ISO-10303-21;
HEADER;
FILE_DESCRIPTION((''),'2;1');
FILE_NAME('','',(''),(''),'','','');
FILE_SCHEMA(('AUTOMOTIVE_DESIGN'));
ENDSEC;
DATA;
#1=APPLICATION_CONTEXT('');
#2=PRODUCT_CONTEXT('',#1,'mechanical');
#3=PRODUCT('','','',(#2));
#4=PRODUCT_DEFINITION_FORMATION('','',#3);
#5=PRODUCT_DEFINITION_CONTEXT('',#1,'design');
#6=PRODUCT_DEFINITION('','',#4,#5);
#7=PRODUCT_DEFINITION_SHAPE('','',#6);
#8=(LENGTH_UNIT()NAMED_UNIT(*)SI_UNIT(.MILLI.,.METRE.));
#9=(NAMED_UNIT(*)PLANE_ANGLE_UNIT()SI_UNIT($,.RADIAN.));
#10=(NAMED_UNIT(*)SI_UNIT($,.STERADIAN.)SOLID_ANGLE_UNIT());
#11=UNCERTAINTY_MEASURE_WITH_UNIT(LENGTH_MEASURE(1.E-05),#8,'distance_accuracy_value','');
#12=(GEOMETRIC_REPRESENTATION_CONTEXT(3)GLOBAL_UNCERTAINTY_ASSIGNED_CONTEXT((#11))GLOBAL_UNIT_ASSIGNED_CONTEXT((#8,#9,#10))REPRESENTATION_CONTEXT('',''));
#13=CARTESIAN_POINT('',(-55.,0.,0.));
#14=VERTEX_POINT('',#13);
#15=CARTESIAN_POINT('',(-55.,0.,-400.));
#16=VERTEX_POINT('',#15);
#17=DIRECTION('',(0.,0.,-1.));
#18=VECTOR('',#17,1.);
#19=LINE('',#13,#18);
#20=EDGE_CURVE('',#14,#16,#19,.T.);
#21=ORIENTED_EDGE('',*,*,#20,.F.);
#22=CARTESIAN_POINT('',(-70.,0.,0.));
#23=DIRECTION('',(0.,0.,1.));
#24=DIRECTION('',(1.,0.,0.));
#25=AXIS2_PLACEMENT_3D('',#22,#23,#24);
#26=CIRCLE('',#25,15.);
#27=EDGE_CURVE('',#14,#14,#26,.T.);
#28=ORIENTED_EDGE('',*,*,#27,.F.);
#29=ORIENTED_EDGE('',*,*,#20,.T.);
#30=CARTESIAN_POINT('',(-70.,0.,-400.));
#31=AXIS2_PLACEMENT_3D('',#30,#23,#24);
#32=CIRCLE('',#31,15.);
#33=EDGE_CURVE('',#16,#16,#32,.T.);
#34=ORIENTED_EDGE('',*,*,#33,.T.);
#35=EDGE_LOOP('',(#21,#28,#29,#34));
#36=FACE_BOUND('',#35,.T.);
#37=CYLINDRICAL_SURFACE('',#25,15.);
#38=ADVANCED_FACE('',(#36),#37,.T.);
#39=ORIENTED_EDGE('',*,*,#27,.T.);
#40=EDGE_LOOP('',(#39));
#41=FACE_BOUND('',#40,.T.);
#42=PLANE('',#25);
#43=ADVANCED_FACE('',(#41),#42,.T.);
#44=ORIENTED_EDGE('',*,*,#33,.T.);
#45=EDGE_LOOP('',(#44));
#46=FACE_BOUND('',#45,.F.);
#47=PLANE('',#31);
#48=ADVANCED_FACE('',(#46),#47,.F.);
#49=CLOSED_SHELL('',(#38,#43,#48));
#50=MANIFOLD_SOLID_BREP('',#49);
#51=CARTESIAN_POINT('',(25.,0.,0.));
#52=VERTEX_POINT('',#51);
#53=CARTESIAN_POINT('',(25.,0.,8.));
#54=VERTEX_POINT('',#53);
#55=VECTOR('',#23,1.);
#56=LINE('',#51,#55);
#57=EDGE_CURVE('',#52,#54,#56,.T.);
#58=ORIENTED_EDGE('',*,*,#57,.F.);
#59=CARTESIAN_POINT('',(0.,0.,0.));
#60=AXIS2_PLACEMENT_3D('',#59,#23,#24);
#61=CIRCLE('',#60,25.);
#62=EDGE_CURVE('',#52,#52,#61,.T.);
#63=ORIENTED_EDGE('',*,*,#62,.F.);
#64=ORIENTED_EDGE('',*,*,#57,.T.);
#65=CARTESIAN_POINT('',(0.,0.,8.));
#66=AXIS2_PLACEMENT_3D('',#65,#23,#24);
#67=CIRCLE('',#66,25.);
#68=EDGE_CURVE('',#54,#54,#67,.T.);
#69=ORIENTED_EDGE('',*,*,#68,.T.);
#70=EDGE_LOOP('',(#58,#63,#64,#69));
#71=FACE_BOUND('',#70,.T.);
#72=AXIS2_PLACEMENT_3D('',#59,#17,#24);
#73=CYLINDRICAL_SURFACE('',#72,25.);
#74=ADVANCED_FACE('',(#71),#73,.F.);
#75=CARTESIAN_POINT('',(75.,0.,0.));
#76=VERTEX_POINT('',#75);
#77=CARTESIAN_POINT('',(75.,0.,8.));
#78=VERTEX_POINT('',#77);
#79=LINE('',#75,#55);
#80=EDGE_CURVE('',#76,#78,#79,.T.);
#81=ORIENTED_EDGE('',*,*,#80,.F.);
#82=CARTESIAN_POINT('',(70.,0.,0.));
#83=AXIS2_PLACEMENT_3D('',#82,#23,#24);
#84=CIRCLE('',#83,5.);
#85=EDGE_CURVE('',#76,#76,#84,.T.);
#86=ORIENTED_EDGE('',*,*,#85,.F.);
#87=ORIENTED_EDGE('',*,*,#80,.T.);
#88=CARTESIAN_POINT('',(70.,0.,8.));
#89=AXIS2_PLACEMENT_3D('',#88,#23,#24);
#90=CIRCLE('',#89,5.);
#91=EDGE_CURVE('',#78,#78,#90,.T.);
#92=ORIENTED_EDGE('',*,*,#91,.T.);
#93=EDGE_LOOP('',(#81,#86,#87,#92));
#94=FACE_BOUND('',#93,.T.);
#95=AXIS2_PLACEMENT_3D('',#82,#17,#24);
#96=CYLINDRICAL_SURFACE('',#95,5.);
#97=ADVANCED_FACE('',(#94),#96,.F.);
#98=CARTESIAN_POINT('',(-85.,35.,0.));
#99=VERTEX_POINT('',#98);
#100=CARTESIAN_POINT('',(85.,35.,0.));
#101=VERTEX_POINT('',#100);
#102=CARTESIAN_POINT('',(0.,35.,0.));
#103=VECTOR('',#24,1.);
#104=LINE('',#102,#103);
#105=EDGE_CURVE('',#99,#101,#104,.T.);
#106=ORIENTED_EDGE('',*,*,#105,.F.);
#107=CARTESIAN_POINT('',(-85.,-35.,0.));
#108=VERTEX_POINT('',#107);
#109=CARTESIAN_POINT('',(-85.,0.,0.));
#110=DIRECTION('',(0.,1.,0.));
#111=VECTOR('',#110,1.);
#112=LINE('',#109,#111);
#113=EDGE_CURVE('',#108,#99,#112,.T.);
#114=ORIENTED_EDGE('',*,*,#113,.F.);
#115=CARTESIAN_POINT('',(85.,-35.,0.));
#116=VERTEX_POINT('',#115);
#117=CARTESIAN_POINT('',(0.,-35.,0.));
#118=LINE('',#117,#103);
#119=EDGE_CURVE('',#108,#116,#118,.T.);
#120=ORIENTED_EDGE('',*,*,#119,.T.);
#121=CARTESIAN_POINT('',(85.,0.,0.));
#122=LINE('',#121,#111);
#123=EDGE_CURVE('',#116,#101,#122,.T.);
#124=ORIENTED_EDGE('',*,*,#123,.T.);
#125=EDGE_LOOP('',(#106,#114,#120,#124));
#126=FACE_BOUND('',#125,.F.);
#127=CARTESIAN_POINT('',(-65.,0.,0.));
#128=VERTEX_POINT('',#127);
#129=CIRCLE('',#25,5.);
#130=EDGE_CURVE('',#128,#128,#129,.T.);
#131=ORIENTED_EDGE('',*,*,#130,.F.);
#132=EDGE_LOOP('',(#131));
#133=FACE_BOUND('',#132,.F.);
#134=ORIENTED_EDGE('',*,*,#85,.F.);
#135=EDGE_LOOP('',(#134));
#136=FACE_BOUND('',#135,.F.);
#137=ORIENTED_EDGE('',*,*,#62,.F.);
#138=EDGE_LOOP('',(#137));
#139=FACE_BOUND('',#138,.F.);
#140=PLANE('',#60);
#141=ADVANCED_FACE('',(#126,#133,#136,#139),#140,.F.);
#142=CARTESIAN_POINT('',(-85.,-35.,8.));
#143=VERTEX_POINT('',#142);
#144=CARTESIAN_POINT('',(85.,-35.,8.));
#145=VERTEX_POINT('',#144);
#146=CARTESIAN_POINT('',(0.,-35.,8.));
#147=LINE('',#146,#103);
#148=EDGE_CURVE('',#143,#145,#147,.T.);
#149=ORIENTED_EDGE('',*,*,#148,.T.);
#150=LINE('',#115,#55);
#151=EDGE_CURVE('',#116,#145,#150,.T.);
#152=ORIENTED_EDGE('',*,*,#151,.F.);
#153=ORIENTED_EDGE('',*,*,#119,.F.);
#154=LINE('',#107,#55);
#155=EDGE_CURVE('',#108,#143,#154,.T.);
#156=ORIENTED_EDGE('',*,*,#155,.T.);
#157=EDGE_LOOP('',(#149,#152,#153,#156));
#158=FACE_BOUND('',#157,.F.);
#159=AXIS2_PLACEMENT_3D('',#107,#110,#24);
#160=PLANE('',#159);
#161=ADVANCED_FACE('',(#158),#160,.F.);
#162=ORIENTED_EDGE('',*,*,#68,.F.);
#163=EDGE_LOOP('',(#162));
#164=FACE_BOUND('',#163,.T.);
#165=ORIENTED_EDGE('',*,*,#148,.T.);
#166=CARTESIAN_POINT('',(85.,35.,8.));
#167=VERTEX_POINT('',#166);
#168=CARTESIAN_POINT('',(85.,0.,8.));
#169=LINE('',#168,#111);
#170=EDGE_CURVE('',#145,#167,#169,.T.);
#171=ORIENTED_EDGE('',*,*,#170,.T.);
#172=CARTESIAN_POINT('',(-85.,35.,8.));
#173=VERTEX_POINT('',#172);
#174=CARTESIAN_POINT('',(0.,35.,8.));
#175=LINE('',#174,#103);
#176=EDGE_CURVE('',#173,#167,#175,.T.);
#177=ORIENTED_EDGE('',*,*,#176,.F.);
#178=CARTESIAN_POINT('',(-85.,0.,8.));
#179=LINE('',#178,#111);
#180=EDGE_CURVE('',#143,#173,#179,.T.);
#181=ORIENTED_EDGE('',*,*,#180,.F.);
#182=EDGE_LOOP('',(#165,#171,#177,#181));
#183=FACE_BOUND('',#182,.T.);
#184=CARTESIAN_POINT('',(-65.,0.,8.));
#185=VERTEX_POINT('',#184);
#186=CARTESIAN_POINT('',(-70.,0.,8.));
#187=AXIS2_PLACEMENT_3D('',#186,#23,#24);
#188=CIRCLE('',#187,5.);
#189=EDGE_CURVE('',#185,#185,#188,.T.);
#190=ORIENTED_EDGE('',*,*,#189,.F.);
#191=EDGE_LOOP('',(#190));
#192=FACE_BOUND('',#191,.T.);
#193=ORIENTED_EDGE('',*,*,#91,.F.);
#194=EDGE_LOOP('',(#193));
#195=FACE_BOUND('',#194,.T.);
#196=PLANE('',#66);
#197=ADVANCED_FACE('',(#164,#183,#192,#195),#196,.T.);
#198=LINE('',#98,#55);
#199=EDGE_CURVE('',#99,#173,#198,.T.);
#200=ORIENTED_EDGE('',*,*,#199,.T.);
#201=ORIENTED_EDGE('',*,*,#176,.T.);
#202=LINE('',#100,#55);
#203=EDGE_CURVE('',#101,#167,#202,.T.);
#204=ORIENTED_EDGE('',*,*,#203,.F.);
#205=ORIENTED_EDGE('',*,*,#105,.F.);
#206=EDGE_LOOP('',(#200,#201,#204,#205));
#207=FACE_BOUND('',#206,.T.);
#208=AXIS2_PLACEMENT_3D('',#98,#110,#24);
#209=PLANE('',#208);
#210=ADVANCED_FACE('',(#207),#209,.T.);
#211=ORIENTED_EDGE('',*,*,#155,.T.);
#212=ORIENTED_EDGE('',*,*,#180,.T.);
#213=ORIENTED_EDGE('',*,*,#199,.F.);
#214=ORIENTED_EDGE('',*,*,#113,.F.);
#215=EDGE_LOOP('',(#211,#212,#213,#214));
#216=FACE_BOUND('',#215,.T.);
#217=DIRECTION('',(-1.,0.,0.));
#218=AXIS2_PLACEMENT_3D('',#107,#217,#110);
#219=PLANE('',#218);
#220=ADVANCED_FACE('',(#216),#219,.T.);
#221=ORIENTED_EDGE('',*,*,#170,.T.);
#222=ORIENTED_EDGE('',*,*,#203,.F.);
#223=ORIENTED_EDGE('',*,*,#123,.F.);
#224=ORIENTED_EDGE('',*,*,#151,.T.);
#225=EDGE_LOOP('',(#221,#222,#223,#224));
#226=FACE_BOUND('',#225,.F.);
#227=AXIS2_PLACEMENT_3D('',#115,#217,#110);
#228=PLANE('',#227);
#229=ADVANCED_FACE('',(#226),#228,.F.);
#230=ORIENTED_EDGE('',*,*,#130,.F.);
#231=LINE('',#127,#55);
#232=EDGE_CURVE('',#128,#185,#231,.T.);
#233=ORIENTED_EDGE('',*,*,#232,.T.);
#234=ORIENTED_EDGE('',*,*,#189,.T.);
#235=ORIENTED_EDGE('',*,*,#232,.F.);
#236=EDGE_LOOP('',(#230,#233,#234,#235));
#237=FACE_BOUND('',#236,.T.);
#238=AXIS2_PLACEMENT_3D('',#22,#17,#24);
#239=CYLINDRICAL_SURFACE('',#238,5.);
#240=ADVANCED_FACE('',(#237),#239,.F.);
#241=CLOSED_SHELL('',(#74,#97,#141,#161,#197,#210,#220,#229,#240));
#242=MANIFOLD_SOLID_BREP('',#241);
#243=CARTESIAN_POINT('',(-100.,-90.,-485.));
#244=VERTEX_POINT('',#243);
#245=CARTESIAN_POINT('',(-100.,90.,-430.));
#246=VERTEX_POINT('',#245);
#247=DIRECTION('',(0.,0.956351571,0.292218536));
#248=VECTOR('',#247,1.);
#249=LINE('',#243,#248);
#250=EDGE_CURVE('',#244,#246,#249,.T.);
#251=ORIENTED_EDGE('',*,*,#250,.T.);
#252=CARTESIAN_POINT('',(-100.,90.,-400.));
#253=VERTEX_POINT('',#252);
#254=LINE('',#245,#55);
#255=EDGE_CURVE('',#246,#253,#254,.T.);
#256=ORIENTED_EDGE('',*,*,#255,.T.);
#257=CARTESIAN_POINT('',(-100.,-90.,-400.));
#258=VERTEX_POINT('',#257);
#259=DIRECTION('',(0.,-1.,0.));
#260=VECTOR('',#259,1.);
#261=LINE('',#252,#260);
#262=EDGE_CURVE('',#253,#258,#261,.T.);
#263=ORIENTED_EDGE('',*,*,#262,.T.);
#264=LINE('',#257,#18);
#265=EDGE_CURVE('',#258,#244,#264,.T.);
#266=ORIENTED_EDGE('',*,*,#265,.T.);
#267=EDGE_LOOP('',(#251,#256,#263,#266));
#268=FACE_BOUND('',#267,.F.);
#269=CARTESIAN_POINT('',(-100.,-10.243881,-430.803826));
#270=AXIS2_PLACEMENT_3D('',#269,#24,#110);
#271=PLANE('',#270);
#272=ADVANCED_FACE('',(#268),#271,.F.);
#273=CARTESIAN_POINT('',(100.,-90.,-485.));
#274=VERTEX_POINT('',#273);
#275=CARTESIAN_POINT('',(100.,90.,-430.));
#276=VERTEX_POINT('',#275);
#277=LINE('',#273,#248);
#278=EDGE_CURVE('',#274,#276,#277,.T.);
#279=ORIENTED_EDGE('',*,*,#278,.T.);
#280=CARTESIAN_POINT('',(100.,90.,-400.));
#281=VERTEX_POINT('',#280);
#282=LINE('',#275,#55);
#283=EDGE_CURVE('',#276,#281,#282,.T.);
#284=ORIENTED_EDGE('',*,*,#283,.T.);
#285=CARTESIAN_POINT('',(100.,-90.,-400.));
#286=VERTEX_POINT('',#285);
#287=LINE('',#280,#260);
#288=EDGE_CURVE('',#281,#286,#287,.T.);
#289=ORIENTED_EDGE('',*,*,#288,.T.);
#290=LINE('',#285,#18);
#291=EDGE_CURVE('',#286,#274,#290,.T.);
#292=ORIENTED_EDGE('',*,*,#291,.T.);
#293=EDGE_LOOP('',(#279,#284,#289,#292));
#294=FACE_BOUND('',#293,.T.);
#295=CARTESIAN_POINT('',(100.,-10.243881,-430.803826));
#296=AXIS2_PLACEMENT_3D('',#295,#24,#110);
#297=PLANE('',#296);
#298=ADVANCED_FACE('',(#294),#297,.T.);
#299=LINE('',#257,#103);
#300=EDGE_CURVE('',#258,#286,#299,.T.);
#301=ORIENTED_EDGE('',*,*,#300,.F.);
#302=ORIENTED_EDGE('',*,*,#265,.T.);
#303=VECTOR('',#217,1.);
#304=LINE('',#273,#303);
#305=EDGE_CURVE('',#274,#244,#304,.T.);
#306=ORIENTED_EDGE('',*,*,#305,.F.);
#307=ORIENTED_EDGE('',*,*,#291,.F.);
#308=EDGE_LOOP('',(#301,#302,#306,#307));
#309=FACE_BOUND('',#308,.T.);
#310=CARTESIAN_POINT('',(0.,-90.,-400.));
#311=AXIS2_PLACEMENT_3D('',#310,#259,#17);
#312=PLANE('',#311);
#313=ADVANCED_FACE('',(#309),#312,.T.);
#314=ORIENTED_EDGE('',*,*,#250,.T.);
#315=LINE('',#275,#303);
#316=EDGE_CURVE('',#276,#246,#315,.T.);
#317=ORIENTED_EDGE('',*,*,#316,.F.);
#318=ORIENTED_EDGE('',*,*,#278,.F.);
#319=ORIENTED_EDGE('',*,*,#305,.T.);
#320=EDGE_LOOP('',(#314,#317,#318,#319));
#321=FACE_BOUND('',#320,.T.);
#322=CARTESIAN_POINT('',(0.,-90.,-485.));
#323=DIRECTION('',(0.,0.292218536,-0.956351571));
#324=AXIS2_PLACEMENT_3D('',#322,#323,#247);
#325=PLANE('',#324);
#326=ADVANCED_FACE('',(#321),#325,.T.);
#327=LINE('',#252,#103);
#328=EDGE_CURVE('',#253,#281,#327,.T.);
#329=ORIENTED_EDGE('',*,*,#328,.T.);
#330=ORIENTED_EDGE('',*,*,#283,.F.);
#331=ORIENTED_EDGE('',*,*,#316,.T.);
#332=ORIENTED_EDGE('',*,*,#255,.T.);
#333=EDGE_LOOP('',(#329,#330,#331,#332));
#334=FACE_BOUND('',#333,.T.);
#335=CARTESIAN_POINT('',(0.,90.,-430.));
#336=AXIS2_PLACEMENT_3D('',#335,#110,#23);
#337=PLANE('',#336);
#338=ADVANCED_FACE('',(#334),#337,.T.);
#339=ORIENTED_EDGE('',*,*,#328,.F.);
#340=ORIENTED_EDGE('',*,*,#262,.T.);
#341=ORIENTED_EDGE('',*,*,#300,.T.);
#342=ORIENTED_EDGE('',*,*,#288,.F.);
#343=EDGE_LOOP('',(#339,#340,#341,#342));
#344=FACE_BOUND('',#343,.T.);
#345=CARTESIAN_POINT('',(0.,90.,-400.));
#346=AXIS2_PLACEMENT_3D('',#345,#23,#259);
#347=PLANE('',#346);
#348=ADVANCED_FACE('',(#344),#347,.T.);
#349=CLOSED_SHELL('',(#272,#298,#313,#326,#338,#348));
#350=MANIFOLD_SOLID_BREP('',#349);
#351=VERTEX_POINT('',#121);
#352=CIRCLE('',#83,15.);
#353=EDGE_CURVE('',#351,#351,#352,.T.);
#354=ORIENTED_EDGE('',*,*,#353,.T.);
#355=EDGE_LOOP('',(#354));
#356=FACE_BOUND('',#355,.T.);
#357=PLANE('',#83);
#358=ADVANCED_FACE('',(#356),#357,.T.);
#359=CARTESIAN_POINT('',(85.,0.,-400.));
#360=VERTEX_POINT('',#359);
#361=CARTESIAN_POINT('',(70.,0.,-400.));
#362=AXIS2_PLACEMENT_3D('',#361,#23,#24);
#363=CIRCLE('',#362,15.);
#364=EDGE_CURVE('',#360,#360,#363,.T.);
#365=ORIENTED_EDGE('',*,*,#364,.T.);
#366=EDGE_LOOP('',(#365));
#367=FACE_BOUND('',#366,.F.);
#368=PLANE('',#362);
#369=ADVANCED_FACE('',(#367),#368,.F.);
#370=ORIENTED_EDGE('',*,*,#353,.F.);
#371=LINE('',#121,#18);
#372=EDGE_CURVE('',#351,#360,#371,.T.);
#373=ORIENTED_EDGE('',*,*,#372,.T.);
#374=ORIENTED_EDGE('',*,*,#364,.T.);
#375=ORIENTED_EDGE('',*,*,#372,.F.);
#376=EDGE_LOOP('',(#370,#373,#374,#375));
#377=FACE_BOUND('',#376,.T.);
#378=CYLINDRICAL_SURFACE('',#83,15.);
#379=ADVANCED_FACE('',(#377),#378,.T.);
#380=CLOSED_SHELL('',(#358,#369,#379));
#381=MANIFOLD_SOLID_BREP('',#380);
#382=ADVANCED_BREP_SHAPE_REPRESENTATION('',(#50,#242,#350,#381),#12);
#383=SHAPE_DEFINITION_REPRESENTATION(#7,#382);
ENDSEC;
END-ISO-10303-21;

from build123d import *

# Parameters (mm, degrees)
F0_W     = 170
F0_H     = 70
F0_R     = 5
F0_R_2   = 25
F1_DEPTH = 8
F2_R     = 15
F3_DEPTH = 400
F5_DEPTH = 100


with BuildPart() as f1:
    # F0 (on Top) → F1 (new body)
    with BuildSketch(Plane.XY):
        Rectangle(F0_W, F0_H)
        with Locations((-70, 0)):
            Circle(F0_R, mode=Mode.SUBTRACT)
        Circle(F0_R_2, mode=Mode.SUBTRACT)
        with Locations((70, 0)):
            Circle(F0_R, mode=Mode.SUBTRACT)
    extrude(amount=F1_DEPTH)


with BuildPart() as f3:
    # F2 (on Top) → F3 (new body)
    with BuildSketch(Plane.XY):
        with Locations((-70, 0)):
            Circle(F2_R)
        with Locations((70, 0)):
            Circle(F2_R)
    extrude(amount=-F3_DEPTH)


with BuildPart() as f5:
    # F4 (on Right) → F5 (new body, symmetric)
    with BuildSketch(Plane.YZ):
        Polygon((90, -430), (90, -400), (-90, -400), (-90, -485), align=None)
    extrude(amount=F5_DEPTH, both=True)


solid = Compound([f1.part, f3.part, f5.part])
